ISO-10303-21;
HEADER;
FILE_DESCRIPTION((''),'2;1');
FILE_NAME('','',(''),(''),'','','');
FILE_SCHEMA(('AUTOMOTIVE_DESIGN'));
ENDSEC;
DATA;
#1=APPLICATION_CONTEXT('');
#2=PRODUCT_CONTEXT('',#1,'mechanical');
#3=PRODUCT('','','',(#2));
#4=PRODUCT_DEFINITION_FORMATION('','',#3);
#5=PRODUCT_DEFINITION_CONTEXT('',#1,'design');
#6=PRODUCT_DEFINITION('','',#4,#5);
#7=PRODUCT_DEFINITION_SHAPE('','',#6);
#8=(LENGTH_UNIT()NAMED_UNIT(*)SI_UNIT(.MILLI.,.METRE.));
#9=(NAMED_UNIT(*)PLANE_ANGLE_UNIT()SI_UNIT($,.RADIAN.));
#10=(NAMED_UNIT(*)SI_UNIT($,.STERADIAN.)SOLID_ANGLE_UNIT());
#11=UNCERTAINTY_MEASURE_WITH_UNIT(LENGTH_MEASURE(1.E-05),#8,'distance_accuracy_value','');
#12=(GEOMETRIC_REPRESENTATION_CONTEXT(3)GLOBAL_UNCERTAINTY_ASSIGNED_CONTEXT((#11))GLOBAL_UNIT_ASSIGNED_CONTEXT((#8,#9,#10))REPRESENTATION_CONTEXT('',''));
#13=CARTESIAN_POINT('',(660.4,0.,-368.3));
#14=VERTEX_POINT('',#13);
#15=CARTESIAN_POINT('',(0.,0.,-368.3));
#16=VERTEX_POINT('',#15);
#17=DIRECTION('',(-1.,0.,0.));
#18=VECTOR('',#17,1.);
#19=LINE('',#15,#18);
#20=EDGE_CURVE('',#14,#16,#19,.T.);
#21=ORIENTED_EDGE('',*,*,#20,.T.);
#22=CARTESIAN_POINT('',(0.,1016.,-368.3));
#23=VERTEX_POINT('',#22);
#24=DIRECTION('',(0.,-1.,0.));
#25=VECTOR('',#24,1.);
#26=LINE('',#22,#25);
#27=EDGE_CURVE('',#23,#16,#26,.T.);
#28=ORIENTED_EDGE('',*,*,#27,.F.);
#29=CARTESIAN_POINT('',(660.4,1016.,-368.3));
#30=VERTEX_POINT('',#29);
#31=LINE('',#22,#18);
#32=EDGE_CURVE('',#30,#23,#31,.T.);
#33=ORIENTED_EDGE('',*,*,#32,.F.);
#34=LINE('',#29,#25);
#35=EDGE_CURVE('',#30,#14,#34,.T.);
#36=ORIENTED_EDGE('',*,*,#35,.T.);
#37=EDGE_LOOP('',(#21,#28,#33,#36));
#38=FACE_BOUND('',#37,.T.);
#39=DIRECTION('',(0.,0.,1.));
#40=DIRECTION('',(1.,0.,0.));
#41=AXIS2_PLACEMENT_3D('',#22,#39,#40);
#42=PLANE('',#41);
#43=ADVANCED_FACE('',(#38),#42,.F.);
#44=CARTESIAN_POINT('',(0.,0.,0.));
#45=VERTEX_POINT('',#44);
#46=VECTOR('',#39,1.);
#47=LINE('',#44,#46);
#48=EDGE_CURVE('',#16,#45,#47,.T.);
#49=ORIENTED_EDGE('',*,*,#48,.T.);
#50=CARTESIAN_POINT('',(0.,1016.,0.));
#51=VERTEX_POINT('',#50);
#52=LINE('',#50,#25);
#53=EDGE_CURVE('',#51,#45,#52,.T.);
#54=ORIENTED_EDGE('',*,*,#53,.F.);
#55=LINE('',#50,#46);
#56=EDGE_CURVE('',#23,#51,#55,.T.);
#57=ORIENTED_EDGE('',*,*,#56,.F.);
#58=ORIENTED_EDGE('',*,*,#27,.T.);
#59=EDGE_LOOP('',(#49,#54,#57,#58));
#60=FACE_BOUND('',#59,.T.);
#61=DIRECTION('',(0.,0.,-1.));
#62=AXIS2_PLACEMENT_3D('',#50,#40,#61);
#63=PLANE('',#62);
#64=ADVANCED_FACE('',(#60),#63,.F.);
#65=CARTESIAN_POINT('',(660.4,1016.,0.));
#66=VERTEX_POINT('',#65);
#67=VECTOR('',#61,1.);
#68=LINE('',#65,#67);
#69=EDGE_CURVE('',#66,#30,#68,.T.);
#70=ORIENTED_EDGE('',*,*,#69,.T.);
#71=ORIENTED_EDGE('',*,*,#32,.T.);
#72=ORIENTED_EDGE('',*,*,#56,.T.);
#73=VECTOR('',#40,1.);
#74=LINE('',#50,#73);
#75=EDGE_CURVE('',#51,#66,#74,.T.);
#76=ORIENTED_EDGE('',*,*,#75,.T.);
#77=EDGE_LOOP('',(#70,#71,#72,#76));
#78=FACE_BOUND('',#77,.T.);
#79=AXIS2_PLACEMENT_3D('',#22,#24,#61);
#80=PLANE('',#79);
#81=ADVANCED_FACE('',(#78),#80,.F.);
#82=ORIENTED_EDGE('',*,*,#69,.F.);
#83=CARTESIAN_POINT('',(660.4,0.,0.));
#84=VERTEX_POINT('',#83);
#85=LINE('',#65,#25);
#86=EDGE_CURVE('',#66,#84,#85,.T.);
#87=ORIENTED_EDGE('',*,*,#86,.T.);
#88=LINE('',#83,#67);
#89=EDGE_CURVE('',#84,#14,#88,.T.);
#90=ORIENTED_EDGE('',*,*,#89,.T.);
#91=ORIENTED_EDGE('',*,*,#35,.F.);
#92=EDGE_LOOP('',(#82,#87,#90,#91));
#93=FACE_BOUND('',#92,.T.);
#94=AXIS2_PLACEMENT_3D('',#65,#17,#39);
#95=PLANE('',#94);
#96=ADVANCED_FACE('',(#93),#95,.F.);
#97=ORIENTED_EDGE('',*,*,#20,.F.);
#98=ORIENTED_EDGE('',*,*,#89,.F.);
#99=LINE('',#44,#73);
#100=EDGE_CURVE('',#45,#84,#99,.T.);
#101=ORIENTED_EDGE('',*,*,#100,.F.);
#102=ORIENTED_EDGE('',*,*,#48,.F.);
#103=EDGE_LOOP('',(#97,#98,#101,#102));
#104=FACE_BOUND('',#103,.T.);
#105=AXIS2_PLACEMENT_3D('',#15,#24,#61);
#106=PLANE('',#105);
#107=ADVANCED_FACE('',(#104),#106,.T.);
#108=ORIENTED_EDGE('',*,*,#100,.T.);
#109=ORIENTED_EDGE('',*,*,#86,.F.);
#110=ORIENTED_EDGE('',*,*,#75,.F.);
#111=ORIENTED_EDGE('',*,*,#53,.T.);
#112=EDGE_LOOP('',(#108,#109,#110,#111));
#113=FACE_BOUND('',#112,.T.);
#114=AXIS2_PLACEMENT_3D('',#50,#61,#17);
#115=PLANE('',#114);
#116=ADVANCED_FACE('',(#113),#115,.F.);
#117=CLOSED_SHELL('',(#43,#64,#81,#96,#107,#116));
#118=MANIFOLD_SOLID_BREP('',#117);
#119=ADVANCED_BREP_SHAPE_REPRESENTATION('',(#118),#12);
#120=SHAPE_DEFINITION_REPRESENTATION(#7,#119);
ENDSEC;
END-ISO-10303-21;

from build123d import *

# Parameters (mm, degrees)
SKETCH1_W      = 660.4
SKETCH1_H      = 368.3
EXTRUDE1_DEPTH = 1016


with BuildPart() as part:
    # Sketch1 → Extrude1 (new body)
    with BuildSketch(Plane(origin=(0, 0, 0), x_dir=(1, 0, 0), z_dir=(0, 1, 0))):
        with Locations((330.2, 184.15)):
            Rectangle(SKETCH1_W, SKETCH1_H)
    extrude(amount=EXTRUDE1_DEPTH)


solid = part.part
